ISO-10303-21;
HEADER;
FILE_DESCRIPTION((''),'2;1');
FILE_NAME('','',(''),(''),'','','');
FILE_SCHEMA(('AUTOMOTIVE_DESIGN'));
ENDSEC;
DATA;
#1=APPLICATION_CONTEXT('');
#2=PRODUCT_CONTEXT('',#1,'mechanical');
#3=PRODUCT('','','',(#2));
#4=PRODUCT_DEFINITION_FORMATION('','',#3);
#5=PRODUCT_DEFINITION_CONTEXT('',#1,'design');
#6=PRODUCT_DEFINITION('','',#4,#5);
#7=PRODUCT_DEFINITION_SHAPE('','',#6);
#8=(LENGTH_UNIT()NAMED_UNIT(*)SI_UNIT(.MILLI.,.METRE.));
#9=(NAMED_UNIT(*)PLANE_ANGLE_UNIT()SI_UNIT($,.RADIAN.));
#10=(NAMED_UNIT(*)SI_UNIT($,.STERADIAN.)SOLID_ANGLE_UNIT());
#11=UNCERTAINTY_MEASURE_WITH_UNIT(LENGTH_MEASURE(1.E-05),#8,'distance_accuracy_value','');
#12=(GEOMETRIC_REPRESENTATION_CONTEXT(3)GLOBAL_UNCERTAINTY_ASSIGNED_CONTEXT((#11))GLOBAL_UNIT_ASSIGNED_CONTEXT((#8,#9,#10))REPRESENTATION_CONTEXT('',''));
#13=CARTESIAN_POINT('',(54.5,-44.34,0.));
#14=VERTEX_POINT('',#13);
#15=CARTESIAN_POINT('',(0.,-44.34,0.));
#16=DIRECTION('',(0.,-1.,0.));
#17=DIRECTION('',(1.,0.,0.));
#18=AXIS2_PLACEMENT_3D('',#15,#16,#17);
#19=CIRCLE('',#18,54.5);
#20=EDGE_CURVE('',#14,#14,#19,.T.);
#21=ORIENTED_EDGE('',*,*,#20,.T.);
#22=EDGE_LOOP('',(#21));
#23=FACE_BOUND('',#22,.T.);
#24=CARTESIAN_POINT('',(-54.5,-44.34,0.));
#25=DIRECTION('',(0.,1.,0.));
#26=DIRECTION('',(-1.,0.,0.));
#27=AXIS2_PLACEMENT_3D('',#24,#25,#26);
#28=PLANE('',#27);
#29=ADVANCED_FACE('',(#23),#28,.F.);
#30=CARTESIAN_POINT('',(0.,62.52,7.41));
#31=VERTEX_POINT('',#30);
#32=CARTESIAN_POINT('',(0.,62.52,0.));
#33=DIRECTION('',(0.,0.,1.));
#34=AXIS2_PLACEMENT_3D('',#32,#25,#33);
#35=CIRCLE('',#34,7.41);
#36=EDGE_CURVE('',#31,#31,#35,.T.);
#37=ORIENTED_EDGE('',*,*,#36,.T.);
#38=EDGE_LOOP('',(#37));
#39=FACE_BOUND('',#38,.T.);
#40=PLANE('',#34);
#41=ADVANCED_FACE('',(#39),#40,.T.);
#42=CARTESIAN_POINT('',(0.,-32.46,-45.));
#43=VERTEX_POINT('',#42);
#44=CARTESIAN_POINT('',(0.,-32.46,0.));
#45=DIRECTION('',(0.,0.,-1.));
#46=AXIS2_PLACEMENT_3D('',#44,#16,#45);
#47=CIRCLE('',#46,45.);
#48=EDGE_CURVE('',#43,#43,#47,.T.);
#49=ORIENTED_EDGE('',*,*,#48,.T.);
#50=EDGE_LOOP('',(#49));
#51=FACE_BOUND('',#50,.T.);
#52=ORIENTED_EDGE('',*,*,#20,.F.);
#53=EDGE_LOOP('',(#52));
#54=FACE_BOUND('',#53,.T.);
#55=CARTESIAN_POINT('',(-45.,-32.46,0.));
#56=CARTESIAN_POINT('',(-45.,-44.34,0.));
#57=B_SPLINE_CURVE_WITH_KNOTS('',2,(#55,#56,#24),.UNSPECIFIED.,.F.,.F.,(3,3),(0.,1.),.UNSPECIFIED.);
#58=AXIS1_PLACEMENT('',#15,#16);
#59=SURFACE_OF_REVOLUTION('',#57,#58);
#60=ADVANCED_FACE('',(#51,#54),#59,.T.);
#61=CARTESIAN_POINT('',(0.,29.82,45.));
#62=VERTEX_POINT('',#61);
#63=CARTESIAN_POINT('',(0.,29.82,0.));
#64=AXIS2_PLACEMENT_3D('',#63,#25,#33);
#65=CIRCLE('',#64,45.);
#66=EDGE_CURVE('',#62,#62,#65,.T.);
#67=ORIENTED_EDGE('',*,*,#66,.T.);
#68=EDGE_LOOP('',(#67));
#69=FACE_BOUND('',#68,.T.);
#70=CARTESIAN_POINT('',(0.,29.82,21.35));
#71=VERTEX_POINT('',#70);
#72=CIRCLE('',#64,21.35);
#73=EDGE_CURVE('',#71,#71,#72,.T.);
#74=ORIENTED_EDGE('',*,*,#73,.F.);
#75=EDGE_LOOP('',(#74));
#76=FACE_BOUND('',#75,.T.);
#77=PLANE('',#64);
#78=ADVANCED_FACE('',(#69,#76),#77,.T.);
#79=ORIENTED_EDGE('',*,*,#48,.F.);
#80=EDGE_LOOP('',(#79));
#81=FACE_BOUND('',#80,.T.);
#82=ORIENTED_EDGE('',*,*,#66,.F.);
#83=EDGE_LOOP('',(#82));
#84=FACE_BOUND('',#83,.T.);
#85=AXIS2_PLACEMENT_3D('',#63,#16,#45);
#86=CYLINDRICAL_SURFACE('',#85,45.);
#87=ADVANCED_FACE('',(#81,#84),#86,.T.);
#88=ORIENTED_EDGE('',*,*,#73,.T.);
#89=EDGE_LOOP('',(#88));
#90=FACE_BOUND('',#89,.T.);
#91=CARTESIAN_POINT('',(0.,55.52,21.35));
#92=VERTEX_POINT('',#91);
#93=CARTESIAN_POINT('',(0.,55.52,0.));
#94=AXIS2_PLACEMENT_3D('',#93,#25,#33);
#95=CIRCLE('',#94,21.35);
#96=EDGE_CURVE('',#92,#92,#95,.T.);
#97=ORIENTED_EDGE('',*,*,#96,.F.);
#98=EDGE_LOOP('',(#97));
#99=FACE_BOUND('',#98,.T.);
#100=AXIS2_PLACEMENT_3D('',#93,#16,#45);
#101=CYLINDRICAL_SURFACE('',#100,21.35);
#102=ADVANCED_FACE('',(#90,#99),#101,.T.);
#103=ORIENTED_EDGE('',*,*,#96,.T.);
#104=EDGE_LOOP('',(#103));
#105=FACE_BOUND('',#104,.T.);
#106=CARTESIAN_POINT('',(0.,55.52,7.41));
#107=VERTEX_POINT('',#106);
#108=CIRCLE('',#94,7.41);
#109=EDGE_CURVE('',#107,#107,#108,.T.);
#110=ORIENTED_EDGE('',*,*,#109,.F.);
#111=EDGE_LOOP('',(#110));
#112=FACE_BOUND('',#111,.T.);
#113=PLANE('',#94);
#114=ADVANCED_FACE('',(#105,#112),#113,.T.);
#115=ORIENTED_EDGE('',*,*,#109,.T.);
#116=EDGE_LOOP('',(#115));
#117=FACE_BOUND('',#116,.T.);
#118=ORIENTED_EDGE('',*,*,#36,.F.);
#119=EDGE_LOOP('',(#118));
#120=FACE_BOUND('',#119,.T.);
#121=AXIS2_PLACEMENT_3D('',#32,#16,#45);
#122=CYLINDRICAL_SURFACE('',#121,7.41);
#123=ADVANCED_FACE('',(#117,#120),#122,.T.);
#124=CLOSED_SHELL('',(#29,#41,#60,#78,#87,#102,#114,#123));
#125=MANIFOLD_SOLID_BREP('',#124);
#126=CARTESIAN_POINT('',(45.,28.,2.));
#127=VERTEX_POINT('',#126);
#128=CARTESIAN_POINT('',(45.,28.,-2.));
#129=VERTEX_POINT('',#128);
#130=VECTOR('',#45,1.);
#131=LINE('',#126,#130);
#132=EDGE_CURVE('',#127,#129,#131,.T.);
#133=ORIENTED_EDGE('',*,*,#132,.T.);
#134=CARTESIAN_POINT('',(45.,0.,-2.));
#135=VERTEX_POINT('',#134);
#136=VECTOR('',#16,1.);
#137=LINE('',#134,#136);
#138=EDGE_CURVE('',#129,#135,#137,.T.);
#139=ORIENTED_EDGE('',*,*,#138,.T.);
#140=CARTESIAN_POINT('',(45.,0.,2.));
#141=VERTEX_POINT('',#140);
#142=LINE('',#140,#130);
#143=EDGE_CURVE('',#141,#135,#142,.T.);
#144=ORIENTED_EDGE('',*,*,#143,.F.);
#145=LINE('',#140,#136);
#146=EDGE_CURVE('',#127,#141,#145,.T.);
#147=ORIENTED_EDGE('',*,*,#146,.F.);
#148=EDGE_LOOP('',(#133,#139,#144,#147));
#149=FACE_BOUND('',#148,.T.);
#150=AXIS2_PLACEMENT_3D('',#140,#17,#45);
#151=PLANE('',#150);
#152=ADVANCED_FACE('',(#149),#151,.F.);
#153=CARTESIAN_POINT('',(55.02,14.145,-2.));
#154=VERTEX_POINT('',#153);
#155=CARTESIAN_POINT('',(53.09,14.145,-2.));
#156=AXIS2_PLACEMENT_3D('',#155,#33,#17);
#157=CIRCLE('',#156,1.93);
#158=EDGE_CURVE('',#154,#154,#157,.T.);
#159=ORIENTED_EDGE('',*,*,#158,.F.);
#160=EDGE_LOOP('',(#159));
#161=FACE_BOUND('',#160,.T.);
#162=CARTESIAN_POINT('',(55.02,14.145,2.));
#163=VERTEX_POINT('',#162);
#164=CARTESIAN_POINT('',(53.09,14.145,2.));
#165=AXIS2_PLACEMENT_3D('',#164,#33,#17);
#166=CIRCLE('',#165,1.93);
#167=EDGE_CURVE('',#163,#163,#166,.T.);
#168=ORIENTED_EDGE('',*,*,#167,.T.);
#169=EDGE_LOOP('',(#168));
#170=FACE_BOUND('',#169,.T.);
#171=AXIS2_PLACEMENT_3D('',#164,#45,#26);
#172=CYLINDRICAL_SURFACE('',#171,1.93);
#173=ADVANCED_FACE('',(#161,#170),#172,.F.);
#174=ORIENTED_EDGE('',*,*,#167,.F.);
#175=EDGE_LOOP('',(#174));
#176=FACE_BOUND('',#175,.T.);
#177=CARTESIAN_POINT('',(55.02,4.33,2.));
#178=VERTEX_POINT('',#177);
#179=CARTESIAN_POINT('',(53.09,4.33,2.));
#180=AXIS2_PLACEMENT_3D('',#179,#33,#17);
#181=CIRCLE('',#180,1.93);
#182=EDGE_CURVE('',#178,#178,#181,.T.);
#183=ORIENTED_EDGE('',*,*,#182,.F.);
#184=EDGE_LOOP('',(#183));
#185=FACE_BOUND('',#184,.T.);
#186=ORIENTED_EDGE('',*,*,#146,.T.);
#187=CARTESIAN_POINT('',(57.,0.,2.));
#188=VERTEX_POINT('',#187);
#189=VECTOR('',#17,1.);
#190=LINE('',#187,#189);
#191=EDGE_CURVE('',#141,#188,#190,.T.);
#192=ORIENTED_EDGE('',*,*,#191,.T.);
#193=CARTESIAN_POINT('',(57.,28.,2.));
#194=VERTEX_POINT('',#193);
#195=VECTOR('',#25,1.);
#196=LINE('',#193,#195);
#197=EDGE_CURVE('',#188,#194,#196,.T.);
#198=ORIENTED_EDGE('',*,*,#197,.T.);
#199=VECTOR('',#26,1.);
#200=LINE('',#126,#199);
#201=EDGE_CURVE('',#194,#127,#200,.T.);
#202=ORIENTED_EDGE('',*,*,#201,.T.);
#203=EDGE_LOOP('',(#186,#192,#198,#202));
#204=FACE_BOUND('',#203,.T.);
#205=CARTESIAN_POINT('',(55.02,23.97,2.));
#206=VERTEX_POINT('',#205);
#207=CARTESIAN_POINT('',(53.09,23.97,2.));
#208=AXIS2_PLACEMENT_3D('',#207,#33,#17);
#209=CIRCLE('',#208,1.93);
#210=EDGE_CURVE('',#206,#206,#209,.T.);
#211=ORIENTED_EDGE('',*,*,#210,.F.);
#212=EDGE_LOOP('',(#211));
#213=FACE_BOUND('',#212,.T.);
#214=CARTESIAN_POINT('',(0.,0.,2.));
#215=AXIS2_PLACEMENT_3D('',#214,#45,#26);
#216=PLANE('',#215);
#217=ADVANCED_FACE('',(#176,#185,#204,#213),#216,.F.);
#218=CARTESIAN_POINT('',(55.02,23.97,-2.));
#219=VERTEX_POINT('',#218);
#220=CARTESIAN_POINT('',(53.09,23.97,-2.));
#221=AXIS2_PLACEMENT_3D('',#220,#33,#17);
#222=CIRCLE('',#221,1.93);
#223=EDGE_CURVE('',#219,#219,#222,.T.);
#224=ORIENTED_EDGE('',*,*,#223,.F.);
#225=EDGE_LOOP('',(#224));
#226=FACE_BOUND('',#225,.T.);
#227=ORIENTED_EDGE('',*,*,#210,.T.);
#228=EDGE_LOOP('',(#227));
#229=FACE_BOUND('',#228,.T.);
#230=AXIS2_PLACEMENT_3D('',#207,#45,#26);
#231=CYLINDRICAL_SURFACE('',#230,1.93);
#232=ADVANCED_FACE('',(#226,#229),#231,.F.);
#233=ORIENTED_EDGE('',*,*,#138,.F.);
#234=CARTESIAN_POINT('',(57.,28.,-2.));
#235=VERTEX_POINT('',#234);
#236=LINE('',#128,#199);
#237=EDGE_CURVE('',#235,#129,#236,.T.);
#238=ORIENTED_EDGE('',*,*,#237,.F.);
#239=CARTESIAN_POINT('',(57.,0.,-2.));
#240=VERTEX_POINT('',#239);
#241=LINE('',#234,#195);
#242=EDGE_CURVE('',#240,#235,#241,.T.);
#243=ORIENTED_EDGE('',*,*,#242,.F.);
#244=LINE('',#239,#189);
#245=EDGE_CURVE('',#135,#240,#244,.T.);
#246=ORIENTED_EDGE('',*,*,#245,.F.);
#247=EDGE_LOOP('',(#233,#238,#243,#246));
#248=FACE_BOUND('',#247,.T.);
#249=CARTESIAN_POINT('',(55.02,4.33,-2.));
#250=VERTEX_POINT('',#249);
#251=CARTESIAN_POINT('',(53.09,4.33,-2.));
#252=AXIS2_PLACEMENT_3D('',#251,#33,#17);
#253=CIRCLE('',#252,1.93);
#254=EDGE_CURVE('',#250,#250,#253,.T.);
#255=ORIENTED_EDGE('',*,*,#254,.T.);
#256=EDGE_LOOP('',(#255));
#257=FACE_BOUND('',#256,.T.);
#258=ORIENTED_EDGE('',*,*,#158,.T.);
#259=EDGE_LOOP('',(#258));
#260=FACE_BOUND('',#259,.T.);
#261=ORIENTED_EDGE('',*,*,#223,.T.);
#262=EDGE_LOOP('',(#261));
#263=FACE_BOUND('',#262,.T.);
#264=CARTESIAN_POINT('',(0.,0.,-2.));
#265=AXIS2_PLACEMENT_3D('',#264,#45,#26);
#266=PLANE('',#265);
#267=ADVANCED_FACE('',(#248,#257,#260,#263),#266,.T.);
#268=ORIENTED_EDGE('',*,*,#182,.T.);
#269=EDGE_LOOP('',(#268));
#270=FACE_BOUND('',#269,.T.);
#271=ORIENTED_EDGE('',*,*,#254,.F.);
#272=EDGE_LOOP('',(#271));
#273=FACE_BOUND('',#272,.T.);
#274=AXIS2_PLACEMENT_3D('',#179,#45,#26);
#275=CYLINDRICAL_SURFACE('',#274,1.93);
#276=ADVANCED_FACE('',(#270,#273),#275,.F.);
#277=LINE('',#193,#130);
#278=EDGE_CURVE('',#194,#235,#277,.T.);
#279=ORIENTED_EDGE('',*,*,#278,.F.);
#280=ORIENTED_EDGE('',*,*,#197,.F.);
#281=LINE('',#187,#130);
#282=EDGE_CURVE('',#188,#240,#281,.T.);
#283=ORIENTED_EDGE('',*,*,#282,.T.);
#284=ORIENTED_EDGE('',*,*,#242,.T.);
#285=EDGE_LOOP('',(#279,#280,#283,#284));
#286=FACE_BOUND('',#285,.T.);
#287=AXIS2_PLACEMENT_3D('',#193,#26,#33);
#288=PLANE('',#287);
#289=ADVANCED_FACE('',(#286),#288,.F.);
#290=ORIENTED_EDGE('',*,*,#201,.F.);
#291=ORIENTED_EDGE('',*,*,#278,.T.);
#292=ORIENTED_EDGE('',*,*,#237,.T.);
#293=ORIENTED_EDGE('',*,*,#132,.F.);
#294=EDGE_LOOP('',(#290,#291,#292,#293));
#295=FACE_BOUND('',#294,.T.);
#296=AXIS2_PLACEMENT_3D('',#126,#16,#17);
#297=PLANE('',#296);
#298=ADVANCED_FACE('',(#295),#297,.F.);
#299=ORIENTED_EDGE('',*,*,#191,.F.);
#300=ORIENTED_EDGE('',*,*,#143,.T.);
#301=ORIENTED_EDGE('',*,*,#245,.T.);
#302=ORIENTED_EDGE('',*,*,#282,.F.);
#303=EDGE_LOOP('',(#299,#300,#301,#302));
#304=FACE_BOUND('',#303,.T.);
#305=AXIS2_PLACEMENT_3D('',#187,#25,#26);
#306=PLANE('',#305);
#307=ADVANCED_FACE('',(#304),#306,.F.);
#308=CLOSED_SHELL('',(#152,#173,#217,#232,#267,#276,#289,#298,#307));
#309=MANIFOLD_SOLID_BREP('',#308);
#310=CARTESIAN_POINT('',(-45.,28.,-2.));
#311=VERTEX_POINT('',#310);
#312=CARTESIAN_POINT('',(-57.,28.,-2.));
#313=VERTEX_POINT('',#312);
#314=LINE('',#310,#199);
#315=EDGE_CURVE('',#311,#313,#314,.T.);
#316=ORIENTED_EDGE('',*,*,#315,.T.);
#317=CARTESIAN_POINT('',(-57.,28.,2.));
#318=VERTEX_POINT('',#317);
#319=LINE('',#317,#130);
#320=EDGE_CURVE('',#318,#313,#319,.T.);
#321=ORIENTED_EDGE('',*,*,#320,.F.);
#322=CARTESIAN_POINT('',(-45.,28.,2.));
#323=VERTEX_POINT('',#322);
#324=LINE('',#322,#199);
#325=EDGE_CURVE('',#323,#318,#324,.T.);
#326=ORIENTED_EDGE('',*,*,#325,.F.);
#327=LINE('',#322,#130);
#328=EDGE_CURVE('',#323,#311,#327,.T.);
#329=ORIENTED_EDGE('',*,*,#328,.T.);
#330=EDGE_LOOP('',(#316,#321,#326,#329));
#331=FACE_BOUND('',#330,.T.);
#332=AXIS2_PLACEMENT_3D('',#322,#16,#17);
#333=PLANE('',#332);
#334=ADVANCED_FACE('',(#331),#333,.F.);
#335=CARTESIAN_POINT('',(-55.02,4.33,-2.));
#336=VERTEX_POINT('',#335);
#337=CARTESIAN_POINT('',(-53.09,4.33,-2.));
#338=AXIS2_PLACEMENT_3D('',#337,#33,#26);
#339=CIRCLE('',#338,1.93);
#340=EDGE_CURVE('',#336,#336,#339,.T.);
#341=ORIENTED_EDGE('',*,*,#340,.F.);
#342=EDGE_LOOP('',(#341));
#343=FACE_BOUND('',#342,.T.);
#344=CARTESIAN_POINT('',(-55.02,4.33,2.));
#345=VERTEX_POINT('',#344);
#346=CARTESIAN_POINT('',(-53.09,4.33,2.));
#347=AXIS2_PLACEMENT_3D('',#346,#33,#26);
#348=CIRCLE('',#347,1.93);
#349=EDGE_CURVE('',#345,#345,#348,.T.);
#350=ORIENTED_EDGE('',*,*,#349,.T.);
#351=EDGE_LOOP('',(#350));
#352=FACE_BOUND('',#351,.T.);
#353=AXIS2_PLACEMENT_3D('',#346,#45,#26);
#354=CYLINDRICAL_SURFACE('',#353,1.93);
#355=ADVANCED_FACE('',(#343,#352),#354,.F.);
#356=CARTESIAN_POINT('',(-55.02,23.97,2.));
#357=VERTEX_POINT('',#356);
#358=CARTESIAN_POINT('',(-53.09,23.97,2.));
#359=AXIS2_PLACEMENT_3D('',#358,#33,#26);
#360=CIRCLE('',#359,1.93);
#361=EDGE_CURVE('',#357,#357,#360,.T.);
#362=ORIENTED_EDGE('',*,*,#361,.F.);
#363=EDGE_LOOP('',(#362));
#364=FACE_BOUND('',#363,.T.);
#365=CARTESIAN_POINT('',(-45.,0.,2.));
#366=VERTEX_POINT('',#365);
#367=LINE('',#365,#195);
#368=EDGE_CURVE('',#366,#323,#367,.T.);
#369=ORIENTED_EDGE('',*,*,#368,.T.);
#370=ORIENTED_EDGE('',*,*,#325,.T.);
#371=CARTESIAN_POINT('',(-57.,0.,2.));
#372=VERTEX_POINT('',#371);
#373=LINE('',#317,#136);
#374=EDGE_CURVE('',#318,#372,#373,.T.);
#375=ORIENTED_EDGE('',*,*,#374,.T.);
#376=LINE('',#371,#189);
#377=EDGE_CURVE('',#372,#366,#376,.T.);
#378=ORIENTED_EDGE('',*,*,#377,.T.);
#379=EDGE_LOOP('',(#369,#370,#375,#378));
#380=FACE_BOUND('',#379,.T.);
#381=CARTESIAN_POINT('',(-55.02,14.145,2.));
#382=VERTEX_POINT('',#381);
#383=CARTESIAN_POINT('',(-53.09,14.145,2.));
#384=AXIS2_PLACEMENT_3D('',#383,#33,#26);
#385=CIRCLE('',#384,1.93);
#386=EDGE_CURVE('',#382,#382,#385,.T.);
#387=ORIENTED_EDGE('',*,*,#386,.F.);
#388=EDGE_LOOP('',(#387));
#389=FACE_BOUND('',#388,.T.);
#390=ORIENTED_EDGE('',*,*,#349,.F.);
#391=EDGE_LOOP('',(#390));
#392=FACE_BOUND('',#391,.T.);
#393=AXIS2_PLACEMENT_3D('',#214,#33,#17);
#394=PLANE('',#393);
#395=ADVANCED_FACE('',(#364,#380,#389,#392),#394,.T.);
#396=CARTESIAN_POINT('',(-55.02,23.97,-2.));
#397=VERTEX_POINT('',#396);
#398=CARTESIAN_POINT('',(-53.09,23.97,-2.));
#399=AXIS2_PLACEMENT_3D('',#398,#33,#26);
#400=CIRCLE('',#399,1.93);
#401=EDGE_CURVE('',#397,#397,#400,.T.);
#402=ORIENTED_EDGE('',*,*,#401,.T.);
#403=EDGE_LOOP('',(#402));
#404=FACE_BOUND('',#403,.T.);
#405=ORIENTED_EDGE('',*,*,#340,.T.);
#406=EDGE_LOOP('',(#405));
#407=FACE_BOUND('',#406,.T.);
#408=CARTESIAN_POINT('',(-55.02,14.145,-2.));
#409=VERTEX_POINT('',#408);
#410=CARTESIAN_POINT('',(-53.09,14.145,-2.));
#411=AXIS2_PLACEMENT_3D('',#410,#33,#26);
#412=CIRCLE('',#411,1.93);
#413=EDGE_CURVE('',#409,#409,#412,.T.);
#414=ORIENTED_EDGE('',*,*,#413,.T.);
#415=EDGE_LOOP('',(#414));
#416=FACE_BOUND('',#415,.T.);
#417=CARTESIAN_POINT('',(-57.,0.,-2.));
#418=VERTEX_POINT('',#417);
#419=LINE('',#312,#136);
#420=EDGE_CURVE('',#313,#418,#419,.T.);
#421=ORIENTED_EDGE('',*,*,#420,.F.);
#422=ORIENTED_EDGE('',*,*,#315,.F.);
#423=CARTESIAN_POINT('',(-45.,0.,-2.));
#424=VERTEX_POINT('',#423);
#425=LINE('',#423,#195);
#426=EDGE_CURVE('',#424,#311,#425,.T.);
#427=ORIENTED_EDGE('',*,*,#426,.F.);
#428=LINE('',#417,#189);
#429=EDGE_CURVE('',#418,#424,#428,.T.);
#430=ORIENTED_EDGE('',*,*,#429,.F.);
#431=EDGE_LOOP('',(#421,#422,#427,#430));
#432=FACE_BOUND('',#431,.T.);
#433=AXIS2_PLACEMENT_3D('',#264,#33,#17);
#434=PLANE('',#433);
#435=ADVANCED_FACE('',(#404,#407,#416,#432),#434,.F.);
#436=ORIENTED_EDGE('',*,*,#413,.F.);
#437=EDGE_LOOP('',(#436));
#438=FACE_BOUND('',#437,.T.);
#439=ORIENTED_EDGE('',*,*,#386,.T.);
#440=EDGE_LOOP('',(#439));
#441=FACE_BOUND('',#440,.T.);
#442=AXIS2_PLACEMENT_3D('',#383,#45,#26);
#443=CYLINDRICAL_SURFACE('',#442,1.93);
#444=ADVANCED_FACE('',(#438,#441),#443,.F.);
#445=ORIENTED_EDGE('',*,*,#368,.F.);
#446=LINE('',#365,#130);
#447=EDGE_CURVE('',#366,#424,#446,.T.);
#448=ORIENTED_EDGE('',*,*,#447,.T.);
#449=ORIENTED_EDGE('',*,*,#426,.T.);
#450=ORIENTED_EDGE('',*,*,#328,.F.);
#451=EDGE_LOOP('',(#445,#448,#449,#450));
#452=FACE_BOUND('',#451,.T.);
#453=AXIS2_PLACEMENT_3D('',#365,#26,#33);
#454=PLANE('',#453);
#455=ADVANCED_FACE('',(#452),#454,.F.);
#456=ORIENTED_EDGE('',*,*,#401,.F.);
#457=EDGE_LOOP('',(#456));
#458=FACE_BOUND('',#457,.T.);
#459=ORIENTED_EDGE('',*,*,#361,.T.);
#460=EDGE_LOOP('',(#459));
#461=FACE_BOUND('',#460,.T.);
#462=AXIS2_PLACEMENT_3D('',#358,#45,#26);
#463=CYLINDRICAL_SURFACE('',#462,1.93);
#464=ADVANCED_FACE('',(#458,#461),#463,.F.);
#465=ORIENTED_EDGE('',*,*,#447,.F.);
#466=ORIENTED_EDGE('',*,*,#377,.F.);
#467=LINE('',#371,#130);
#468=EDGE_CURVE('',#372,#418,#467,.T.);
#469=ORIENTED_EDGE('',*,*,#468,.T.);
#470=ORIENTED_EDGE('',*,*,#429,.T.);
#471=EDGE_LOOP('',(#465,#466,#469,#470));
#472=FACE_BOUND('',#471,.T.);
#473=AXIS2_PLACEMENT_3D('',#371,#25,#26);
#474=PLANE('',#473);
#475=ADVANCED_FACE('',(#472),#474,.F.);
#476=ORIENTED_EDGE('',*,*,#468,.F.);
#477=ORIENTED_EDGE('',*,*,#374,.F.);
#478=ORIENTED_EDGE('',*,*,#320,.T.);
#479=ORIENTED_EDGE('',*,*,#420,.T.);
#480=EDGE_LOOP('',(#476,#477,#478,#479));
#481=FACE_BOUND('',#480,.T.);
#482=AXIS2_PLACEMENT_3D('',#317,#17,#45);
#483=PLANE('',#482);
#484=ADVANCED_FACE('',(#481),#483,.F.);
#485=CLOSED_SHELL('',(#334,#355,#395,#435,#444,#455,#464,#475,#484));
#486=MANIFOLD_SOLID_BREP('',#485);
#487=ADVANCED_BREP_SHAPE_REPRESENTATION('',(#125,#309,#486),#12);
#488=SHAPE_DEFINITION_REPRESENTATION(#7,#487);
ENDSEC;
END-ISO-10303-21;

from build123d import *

# Parameters (mm, degrees)
SKETCH_1_R        = 45
EXTRUDE_1_DEPTH   = 29.82
SKETCH_2_W        = 12
SKETCH_2_H        = 28
SKETCH_2_R        = 1.93
EXTRUDE_2_DEPTH   = 2
EXTRUDE_2_2_DEPTH = 2
SKETCH_3_R        = 21.35
EXTRUDE_3_DEPTH   = 25.7
SKETCH_4_R        = 7.41
EXTRUDE_4_DEPTH   = 7
SKETCH_5_R        = 45
EXTRUDE_5_DEPTH   = 32.46


with BuildPart() as part:
    # 草图1 → 凸台-拉伸1 (new body)
    with BuildSketch(Plane(origin=(0, 0, 0), x_dir=(1, 0, 0), z_dir=(0, 1, 0))):
        Circle(SKETCH_1_R)
    extrude(amount=EXTRUDE_1_DEPTH)

    # 草图3 → 凸台-拉伸3 (add)
    with BuildSketch(Plane(origin=(0, 29.82, 0), x_dir=(1, 0, 0), z_dir=(0, 1, 0))):
        Circle(SKETCH_3_R)
    extrude(amount=EXTRUDE_3_DEPTH)

    # 草图4 → 凸台-拉伸4 (add)
    with BuildSketch(Plane(origin=(0, 55.52, 0), x_dir=(1, 0, 0), z_dir=(0, 1, 0))):
        Circle(SKETCH_4_R)
    extrude(amount=EXTRUDE_4_DEPTH)

    # 草图5 → 凸台-拉伸5 (add)
    with BuildSketch(Plane.XZ):
        Circle(SKETCH_5_R)
    extrude(amount=EXTRUDE_5_DEPTH)

    # 草图6 → 旋转1 (revolve)
    with BuildSketch(Plane.XY):
        with BuildLine():
            Line((-54.5, -44.34), (0, -44.34))
            Line((0, -44.34), (0, -32.46))
            Line((0, -32.46), (-45, -32.46))
            add(Edge.make_bspline(
                [(-45, -32.46), (-45, -44.34), (-54.5, -44.34)],
                knots=[0, 0, 0, 1, 1, 1], degree=2))
        make_face()
    revolve(axis=Axis((0, -44.34, 0), (0, 1, 0)))


with BuildPart() as body_2:
    # 草图2 → 凸台-拉伸2 (new body, symmetric)
    with BuildSketch(Plane.XY):
        with Locations((51, 14)):
            Rectangle(SKETCH_2_W, SKETCH_2_H)
        with Locations((53.09, 23.97)):
            Circle(SKETCH_2_R, mode=Mode.SUBTRACT)
        with Locations((53.09, 14.145)):
            Circle(SKETCH_2_R, mode=Mode.SUBTRACT)
        with Locations((53.09, 4.33)):
            Circle(SKETCH_2_R, mode=Mode.SUBTRACT)
    extrude(amount=EXTRUDE_2_DEPTH, both=True)


with BuildPart() as body_3:
    # 草图2 → Extrude 2 2 (new body, symmetric)
    with BuildSketch(Plane.XY):
        with Locations((-51, 14)):
            Rectangle(SKETCH_2_W, SKETCH_2_H)
        with Locations((-53.09, 4.33)):
            Circle(SKETCH_2_R, mode=Mode.SUBTRACT)
        with Locations((-53.09, 14.145)):
            Circle(SKETCH_2_R, mode=Mode.SUBTRACT)
        with Locations((-53.09, 23.97)):
            Circle(SKETCH_2_R, mode=Mode.SUBTRACT)
    extrude(amount=EXTRUDE_2_2_DEPTH, both=True)


solid = Compound([part.part, body_2.part, body_3.part])
